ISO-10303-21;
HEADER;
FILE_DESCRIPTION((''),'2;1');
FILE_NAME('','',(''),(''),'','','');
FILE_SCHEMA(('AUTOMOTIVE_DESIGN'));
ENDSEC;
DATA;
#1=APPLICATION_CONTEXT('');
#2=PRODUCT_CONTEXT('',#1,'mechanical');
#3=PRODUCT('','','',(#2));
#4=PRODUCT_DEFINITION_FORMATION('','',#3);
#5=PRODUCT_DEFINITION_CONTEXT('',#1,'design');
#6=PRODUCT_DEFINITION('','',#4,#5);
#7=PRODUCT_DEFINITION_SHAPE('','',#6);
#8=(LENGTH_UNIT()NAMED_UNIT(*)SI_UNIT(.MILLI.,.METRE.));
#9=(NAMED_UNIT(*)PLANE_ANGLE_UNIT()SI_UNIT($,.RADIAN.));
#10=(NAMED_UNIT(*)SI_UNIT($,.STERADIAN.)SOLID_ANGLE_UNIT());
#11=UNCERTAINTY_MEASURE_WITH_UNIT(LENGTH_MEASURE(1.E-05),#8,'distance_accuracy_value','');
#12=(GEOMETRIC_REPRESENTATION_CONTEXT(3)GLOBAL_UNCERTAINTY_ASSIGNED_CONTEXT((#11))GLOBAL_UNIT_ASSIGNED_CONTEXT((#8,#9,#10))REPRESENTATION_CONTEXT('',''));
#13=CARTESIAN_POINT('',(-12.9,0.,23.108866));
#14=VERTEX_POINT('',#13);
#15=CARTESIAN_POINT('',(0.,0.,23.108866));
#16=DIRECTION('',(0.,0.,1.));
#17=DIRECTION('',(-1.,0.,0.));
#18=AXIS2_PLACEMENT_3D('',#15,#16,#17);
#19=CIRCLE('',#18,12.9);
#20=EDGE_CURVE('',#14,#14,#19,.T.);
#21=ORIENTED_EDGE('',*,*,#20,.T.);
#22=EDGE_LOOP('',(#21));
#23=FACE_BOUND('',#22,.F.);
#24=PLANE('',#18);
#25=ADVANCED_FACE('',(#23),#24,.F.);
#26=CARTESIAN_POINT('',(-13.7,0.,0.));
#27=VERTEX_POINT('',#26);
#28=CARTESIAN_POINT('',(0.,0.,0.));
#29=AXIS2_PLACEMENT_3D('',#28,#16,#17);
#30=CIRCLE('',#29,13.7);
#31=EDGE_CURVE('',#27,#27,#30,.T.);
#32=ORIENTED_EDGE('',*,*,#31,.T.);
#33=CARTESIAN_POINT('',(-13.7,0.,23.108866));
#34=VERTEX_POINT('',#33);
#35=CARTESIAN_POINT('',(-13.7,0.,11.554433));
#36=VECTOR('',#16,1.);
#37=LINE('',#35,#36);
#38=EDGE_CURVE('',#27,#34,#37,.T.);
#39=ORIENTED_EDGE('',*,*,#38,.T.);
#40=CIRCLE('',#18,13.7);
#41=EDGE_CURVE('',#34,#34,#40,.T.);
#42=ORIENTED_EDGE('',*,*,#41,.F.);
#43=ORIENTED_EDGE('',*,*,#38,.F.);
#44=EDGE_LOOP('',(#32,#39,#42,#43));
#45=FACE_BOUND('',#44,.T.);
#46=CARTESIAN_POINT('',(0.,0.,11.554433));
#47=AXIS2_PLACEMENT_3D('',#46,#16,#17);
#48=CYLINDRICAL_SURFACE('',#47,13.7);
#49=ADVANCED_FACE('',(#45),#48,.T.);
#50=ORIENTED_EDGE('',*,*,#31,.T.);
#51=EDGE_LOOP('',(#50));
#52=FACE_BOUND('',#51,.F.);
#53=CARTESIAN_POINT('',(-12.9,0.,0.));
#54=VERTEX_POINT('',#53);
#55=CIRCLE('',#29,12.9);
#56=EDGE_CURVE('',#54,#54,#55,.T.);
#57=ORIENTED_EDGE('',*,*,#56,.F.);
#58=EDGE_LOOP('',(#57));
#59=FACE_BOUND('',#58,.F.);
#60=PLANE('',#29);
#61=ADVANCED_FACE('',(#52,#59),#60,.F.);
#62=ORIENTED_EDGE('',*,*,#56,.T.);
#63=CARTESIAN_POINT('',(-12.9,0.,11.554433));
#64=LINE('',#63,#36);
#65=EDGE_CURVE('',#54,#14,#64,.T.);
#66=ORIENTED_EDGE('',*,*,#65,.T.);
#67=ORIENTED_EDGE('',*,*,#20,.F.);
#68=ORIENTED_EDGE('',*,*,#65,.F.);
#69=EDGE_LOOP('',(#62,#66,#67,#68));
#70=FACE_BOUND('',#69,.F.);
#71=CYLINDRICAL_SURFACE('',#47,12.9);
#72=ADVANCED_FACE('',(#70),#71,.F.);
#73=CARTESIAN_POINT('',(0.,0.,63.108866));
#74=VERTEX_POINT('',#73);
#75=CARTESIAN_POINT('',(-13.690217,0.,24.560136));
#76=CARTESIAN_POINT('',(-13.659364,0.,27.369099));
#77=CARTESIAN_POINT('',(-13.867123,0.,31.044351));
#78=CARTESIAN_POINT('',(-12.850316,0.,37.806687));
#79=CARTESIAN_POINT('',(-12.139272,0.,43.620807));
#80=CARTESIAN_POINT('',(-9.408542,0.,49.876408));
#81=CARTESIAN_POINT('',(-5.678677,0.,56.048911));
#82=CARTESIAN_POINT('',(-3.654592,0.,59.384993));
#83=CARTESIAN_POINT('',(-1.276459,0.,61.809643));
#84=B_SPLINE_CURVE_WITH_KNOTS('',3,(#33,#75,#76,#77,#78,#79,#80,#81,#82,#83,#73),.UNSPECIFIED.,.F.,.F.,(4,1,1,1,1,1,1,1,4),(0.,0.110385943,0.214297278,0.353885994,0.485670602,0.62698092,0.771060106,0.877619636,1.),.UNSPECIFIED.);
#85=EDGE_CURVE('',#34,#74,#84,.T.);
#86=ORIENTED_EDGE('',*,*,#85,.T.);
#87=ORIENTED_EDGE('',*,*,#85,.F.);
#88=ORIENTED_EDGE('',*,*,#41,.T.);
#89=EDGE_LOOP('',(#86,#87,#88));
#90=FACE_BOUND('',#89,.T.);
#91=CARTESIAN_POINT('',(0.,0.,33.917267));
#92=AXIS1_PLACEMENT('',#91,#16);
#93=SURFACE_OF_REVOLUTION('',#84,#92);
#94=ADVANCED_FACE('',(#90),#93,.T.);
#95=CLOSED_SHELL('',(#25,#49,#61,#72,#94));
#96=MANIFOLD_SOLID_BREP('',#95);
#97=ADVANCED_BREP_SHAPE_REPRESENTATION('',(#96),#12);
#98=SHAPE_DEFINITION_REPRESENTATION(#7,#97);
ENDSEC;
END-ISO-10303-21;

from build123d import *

# Parameters (mm, degrees)
F0_W = 0.8
F0_H = 23.1088660657


with BuildPart() as f1:
    # F0 (on Front) → F1 (revolve)
    with BuildSketch(Plane.XZ):
        with BuildLine():
            Line((-13.7, 23.1088660657), (-12.9, 23.1088660657))
            Line((-12.9, 23.1088660657), (0, 23.1088660657))
            Line((0, 23.1088660657), (0, 63.1088660657))
            add(Edge.make_bspline(
                [(-13.7, 23.1088660657), (-13.6902171476, 24.5601355701), (-13.6593642276, 27.3690994584), (-13.8671230286, 31.0443509858), (-12.8503158354, 37.8066867245), (-12.1392720099, 43.6208074085), (-9.4085415887, 49.8764078635), (-5.6786767031, 56.0489114858), (-3.6545917196, 59.3849932828), (-1.2764589904, 61.8096431568), (0, 63.1088660657)],
                knots=[0, 0, 0, 0, 0.1103859429, 0.2142972783, 0.3538859937, 0.4856706021, 0.6269809199, 0.7710601055, 0.8776196361, 1, 1, 1, 1], degree=3))
        make_face()
        with Locations((-13.3, 11.5544330329)):
            Rectangle(F0_W, F0_H)
    revolve(axis=Axis((0, 0, 33.9172668755), (0, 0, 1)))


solid = f1.part
